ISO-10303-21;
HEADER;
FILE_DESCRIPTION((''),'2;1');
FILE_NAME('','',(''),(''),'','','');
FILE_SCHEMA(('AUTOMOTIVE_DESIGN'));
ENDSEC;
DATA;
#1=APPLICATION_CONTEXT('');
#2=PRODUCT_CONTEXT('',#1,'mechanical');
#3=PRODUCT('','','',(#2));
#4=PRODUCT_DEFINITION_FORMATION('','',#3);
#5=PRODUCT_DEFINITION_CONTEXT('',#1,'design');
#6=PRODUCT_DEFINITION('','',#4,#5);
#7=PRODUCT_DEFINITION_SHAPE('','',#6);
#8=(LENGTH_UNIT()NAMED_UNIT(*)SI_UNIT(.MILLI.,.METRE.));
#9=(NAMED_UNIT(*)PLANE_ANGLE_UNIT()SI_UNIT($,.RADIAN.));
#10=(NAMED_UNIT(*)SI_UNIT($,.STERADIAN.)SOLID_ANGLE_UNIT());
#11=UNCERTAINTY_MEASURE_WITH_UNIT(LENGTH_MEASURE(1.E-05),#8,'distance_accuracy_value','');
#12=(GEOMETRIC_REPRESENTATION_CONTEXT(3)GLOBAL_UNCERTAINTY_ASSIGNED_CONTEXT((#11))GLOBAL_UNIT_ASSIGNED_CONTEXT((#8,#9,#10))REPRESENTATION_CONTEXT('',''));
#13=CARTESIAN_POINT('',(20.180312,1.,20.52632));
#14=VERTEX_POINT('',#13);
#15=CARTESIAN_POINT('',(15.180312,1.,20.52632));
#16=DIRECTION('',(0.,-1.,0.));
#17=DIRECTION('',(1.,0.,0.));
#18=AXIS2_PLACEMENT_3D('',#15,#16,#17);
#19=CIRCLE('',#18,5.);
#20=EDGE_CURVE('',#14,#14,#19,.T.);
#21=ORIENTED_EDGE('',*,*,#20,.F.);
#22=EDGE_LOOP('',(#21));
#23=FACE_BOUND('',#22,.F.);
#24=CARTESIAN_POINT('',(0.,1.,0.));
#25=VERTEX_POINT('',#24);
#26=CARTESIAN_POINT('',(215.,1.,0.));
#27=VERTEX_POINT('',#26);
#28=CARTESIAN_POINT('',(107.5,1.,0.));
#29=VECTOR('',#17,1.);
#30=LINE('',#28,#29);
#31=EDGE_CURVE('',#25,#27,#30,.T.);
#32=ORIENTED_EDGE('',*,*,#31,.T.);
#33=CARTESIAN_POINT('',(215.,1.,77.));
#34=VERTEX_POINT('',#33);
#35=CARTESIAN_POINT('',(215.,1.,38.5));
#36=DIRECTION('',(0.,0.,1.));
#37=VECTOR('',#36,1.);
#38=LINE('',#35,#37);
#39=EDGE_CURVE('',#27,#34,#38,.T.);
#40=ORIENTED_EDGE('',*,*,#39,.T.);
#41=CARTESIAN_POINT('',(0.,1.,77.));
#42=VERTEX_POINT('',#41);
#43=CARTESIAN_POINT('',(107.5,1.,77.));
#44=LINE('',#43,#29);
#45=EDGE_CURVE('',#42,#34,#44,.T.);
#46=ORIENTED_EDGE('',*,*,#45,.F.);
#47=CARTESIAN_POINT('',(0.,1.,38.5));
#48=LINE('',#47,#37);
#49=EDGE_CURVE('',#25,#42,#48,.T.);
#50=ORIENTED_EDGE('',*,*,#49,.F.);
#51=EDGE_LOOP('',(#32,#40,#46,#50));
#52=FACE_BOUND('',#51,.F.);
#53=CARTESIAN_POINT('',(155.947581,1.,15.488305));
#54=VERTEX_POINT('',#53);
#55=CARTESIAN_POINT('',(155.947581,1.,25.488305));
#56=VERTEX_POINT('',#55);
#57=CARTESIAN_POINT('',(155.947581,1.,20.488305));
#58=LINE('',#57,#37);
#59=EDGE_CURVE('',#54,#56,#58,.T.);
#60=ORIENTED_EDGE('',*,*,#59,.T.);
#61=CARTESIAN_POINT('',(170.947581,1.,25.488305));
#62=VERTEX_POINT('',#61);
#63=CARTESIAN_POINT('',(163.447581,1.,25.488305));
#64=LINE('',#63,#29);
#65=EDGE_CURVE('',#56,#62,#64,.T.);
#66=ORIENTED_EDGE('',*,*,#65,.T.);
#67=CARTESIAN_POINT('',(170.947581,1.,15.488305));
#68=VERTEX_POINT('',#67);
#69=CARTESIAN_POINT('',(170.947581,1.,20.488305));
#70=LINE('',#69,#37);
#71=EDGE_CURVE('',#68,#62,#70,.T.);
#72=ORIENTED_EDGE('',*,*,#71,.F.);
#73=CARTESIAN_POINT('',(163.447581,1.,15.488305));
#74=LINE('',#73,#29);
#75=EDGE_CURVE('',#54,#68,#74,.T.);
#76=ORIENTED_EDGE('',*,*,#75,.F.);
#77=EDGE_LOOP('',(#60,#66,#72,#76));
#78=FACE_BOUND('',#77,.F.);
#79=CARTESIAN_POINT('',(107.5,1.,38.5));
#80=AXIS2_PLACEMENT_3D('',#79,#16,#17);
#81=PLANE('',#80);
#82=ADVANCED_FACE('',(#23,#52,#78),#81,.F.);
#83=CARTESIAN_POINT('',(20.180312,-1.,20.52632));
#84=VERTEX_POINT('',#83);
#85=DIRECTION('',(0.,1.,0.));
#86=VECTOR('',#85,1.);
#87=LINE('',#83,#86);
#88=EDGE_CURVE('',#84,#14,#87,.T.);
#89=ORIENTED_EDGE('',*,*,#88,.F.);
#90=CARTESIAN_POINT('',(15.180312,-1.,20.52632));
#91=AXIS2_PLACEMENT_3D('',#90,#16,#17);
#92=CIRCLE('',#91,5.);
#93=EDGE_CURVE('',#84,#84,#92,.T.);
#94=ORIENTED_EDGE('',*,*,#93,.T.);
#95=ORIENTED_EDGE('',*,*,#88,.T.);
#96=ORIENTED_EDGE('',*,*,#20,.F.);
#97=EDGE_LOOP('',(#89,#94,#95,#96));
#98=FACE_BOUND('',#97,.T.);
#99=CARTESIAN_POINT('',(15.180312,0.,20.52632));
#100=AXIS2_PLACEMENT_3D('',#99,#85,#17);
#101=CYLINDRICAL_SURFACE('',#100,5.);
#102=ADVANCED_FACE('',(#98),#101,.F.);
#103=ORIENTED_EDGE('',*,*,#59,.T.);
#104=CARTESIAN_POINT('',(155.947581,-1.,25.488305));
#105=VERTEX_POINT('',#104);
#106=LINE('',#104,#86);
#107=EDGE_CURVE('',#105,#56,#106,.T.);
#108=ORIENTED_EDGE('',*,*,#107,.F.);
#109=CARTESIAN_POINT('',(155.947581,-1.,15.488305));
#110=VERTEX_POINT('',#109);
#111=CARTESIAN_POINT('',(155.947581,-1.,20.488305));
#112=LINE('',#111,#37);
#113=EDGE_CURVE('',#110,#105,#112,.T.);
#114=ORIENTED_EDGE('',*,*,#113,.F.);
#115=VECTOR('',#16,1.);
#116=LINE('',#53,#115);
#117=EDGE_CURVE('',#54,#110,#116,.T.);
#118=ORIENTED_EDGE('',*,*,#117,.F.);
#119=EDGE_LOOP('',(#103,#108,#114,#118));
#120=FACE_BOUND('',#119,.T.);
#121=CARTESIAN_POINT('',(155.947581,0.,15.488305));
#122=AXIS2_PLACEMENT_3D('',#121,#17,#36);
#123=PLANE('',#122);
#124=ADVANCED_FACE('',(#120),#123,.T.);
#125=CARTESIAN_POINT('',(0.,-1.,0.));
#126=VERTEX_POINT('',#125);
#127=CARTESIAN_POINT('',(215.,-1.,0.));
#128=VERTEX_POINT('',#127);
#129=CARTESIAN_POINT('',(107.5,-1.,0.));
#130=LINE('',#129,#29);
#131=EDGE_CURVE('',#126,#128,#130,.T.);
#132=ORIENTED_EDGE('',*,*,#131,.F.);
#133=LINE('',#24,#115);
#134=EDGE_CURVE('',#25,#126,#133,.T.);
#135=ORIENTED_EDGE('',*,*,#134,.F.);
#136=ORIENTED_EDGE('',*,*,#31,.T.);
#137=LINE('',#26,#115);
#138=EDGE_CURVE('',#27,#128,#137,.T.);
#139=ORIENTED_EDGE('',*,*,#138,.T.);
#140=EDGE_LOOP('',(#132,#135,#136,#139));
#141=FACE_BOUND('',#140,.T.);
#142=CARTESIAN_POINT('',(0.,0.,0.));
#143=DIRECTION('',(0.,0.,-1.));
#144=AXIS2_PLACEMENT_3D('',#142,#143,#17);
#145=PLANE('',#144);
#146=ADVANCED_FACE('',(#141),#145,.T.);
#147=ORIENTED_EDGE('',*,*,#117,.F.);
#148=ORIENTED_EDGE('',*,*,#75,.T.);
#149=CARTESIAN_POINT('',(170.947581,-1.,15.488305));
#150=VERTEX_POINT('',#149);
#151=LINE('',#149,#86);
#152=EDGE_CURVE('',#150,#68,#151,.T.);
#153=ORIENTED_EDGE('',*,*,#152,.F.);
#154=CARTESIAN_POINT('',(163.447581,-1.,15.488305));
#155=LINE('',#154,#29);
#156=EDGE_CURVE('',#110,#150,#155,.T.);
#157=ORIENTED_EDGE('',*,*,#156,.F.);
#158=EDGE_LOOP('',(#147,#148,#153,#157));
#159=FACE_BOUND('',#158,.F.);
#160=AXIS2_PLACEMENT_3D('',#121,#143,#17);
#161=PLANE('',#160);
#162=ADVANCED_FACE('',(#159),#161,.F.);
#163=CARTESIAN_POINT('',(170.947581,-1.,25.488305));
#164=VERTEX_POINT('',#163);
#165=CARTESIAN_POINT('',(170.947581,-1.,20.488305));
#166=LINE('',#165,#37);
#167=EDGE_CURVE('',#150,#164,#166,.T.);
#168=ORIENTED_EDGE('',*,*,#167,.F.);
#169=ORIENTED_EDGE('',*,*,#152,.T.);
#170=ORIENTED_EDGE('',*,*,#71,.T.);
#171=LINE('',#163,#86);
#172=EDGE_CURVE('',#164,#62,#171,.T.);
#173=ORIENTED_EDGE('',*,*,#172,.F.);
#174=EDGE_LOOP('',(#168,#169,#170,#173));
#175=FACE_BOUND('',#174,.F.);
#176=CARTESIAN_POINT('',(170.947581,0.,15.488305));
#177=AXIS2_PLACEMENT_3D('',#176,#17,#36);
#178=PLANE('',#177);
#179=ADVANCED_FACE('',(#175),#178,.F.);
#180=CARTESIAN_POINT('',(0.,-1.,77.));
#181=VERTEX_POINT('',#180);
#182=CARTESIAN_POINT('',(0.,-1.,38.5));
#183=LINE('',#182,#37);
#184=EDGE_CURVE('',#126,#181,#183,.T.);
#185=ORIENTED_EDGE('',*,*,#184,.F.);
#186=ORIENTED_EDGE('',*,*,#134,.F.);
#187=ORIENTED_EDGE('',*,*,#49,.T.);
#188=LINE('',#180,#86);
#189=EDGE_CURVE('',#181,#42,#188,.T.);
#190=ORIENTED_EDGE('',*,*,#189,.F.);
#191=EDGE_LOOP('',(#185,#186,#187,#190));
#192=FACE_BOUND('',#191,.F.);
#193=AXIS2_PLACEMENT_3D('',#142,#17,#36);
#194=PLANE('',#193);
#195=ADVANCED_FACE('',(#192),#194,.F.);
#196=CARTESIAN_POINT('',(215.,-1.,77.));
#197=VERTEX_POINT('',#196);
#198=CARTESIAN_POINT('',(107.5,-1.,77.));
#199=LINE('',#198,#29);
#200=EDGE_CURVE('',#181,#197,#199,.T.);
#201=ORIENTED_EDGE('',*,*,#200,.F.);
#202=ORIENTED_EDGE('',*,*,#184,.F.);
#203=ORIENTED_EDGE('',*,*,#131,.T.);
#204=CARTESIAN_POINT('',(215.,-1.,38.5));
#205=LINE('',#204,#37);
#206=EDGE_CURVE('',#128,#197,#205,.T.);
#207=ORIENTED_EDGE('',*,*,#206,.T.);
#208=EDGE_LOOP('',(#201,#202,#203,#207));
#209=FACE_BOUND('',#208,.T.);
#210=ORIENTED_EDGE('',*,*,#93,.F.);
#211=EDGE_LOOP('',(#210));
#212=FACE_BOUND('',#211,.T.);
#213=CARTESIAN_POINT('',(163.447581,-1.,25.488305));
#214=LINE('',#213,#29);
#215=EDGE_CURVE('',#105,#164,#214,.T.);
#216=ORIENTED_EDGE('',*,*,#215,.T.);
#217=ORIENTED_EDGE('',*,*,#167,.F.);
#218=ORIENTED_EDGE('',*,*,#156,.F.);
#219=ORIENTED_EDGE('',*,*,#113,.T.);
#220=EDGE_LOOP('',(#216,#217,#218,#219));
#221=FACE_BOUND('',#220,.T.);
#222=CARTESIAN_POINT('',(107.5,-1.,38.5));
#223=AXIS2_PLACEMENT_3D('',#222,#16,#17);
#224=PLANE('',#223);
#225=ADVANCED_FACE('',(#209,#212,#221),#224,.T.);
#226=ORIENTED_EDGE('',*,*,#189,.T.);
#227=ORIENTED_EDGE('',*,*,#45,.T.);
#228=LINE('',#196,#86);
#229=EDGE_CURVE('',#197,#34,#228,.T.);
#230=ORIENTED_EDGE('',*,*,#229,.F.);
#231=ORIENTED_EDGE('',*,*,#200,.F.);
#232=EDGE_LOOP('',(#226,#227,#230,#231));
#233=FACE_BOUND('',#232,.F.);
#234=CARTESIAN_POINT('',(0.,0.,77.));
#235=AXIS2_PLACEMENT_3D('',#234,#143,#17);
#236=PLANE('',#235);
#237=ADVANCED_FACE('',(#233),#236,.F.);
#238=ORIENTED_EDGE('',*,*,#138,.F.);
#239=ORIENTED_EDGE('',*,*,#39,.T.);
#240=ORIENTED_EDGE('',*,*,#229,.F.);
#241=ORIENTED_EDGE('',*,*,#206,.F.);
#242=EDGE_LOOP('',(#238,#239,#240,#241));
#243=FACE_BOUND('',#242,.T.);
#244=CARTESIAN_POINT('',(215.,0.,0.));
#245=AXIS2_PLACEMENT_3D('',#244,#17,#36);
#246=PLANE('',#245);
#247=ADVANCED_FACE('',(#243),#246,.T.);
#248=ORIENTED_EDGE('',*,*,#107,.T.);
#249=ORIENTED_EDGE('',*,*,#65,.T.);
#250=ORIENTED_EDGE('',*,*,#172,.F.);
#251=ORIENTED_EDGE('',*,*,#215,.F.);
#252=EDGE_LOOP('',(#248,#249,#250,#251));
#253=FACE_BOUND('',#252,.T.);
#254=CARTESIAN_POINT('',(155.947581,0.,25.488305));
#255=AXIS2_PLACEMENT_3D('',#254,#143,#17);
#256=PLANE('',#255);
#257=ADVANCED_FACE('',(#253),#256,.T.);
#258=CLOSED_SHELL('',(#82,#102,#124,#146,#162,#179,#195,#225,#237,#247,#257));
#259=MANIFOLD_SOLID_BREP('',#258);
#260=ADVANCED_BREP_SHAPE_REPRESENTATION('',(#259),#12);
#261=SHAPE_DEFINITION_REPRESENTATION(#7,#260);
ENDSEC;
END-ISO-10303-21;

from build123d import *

# Parameters (mm, degrees)
F0_W     = 215
F0_H     = 77
F0_R     = 5
F0_W_2   = 15
F0_H_2   = 10
F1_DEPTH = 1


with BuildPart() as f1:
    # F0 (on Front) → F1 (new body, symmetric)
    with BuildSketch(Plane.XZ):
        with Locations((107.5, 38.5)):
            Rectangle(F0_W, F0_H)
        with Locations((15.180312, 20.52632)):
            Circle(F0_R, mode=Mode.SUBTRACT)
        with Locations((163.447581, 20.488305)):
            Rectangle(F0_W_2, F0_H_2, mode=Mode.SUBTRACT)
    extrude(amount=F1_DEPTH, both=True)


solid = f1.part
